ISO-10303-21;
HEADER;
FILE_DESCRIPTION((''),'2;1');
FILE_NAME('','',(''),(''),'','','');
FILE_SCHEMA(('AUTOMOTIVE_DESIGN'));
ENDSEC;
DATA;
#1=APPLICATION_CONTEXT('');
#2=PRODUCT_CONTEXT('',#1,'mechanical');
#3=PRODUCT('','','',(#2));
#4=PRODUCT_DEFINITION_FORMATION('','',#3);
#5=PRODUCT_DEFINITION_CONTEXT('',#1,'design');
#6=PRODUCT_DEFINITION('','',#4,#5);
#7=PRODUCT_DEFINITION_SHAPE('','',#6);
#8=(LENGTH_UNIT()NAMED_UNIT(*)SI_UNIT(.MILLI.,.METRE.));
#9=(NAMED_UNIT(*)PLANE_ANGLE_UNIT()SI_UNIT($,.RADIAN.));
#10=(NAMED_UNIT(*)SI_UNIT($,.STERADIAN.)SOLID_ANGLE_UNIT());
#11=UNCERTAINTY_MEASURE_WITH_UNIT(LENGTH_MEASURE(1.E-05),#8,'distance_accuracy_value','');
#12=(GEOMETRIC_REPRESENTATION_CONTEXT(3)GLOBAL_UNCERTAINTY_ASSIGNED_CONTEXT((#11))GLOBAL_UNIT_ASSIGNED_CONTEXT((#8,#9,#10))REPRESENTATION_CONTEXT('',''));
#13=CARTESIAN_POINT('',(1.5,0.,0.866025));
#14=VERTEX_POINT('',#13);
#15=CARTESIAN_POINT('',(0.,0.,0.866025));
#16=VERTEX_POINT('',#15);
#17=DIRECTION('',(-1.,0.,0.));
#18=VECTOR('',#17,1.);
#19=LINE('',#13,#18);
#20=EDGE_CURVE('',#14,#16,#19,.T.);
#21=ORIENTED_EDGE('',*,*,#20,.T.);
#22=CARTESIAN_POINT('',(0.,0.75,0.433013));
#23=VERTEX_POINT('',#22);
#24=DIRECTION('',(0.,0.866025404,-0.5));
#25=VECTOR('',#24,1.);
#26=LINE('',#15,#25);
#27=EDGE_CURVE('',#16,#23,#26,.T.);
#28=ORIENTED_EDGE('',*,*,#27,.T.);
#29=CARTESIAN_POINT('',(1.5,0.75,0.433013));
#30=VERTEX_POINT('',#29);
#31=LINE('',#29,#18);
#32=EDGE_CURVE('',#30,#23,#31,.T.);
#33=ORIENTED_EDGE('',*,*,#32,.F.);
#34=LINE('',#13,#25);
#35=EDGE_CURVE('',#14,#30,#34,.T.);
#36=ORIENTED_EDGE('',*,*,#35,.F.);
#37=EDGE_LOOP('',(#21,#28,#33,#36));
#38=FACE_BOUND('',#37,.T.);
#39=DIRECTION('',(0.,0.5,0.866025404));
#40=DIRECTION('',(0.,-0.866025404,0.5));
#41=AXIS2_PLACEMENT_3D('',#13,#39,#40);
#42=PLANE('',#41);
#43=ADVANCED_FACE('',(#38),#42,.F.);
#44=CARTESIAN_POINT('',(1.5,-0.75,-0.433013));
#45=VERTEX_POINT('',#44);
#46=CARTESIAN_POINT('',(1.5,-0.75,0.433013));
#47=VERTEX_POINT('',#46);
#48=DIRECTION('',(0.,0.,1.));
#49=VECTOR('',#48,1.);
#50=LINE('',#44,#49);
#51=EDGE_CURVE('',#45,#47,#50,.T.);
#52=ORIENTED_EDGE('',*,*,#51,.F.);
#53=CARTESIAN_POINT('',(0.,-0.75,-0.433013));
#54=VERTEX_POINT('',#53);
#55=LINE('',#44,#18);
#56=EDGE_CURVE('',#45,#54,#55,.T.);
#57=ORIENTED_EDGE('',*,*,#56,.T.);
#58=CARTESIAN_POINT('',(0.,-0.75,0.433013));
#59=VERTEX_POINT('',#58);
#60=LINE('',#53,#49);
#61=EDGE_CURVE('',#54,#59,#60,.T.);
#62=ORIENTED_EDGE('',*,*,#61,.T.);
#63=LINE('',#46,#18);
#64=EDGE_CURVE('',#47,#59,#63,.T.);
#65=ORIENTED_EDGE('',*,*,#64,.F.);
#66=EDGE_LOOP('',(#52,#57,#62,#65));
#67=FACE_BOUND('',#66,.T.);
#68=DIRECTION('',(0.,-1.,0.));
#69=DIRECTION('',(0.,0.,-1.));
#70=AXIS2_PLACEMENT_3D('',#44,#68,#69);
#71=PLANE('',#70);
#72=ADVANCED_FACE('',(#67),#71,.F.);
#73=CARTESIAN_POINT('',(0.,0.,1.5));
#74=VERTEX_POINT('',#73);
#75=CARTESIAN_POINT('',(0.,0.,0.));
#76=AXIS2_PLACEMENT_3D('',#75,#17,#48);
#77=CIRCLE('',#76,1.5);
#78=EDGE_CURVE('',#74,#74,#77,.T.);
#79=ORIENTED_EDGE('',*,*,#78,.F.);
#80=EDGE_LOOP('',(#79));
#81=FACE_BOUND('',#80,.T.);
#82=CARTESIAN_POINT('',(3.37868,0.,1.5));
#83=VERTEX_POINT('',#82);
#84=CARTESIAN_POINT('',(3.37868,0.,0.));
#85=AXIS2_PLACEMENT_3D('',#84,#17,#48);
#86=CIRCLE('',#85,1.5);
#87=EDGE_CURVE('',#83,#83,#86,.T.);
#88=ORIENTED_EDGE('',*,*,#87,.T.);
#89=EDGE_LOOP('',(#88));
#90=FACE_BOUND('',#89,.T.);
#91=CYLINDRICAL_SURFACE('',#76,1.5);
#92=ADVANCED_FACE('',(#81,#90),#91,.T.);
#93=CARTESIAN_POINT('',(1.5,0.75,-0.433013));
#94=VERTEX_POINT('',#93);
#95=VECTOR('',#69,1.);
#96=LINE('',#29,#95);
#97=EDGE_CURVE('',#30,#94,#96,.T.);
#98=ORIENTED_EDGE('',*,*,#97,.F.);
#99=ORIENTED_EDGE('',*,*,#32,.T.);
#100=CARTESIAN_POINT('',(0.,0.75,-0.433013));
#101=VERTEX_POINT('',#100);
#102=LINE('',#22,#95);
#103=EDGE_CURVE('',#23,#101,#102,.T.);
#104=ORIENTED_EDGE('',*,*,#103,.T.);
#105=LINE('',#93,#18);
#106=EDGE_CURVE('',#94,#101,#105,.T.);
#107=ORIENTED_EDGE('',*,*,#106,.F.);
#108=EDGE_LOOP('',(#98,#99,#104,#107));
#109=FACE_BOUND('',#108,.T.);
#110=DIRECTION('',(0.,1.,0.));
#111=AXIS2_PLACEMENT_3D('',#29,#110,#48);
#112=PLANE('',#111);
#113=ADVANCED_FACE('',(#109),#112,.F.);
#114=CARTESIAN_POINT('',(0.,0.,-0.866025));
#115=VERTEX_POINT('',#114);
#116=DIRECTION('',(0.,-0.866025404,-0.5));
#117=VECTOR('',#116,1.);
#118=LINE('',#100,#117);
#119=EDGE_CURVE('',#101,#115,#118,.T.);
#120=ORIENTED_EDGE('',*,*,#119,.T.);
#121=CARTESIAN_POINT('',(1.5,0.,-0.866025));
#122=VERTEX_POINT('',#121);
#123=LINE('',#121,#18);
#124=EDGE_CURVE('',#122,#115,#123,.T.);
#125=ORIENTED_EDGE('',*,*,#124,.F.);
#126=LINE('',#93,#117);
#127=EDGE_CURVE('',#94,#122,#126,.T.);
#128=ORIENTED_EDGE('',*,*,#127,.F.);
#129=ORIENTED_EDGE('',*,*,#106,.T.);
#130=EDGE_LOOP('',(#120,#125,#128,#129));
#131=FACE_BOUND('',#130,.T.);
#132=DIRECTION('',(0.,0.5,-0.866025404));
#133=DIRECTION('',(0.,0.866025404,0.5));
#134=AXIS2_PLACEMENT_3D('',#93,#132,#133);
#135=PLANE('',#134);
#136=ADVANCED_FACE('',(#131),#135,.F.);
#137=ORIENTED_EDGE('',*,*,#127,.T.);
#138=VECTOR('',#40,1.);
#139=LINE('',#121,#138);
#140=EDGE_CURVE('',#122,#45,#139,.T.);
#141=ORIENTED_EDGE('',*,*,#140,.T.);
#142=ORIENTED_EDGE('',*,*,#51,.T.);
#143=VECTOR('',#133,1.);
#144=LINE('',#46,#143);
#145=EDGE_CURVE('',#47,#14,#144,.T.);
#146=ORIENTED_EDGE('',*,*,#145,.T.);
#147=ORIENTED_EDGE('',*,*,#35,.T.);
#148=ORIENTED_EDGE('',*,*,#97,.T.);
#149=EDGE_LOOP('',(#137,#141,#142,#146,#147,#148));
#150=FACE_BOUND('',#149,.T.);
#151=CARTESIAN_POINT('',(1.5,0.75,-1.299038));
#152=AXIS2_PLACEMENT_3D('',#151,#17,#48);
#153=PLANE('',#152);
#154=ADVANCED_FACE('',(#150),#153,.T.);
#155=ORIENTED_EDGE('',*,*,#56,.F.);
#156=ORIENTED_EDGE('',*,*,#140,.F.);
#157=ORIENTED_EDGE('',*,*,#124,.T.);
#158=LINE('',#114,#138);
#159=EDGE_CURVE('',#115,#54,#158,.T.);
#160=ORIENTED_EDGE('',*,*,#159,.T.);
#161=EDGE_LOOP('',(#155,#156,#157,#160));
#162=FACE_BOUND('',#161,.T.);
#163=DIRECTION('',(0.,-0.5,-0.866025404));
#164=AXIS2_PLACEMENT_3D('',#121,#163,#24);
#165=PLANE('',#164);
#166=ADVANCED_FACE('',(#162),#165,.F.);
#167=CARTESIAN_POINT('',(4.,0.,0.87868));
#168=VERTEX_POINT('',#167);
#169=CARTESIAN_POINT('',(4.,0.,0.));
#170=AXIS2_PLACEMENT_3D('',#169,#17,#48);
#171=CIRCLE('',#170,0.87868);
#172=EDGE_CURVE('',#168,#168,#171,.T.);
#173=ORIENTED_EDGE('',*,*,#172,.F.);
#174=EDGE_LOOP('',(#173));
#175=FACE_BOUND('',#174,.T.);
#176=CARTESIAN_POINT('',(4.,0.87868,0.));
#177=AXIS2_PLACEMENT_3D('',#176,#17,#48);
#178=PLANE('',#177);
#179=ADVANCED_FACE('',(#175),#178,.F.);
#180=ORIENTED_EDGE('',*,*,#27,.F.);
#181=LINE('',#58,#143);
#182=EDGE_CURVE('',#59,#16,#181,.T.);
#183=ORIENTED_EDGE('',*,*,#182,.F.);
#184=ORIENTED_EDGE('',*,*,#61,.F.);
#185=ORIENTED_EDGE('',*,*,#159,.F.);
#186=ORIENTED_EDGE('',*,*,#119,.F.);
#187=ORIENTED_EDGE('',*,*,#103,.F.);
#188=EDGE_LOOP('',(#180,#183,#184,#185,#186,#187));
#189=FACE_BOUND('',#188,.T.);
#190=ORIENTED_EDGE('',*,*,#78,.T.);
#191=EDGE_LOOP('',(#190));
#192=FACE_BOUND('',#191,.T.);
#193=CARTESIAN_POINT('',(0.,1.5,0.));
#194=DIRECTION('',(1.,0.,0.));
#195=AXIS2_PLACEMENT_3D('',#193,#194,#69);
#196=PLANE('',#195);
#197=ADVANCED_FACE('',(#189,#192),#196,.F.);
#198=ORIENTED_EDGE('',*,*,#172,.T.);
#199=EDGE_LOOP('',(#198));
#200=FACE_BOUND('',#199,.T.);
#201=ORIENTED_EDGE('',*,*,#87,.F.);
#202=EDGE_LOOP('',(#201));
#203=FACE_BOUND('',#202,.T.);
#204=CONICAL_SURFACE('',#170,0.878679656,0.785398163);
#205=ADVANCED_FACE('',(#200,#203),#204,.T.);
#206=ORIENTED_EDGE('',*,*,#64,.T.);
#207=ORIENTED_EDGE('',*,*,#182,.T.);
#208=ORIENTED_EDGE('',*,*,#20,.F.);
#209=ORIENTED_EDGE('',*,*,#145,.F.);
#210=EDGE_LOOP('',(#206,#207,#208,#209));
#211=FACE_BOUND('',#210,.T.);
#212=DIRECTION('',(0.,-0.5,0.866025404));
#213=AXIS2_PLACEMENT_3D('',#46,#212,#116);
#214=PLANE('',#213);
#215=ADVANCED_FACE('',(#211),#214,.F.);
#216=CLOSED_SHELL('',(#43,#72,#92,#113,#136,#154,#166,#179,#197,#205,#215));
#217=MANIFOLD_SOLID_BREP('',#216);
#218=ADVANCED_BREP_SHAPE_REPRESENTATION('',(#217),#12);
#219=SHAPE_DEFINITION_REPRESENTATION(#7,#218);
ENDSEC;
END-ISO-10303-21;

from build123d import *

# Parameters (mm, degrees)
CUT_EXTRUDE1_DEPTH = 1.5


with BuildPart() as part:
    # Sketch1 → Revolve1 (revolve)
    with BuildSketch(Plane.XY, mode=Mode.PRIVATE) as revolve1_sk:
        Polygon((4, 0.878679656), (4, 0), (0, 0), (0, 1.5), (3.378679656, 1.5), align=None)
    revolve(revolve1_sk.sketch.rotate(Axis((0, 0, 0), (1, 0, 0)), 90), axis=Axis((0, 0, 0), (1, 0, 0)))

    # Sketch2 → Cut-Extrude1 (cut)
    with BuildSketch(Plane.ZY):
        Polygon((-0.433012702, 0.75), (-0.866025404, 0), (-0.433012702, -0.75), (0.433012702, -0.75), (0.866025404, 0), (0.433012702, 0.75), align=None)
    extrude(amount=-CUT_EXTRUDE1_DEPTH, mode=Mode.SUBTRACT)


solid = part.part
